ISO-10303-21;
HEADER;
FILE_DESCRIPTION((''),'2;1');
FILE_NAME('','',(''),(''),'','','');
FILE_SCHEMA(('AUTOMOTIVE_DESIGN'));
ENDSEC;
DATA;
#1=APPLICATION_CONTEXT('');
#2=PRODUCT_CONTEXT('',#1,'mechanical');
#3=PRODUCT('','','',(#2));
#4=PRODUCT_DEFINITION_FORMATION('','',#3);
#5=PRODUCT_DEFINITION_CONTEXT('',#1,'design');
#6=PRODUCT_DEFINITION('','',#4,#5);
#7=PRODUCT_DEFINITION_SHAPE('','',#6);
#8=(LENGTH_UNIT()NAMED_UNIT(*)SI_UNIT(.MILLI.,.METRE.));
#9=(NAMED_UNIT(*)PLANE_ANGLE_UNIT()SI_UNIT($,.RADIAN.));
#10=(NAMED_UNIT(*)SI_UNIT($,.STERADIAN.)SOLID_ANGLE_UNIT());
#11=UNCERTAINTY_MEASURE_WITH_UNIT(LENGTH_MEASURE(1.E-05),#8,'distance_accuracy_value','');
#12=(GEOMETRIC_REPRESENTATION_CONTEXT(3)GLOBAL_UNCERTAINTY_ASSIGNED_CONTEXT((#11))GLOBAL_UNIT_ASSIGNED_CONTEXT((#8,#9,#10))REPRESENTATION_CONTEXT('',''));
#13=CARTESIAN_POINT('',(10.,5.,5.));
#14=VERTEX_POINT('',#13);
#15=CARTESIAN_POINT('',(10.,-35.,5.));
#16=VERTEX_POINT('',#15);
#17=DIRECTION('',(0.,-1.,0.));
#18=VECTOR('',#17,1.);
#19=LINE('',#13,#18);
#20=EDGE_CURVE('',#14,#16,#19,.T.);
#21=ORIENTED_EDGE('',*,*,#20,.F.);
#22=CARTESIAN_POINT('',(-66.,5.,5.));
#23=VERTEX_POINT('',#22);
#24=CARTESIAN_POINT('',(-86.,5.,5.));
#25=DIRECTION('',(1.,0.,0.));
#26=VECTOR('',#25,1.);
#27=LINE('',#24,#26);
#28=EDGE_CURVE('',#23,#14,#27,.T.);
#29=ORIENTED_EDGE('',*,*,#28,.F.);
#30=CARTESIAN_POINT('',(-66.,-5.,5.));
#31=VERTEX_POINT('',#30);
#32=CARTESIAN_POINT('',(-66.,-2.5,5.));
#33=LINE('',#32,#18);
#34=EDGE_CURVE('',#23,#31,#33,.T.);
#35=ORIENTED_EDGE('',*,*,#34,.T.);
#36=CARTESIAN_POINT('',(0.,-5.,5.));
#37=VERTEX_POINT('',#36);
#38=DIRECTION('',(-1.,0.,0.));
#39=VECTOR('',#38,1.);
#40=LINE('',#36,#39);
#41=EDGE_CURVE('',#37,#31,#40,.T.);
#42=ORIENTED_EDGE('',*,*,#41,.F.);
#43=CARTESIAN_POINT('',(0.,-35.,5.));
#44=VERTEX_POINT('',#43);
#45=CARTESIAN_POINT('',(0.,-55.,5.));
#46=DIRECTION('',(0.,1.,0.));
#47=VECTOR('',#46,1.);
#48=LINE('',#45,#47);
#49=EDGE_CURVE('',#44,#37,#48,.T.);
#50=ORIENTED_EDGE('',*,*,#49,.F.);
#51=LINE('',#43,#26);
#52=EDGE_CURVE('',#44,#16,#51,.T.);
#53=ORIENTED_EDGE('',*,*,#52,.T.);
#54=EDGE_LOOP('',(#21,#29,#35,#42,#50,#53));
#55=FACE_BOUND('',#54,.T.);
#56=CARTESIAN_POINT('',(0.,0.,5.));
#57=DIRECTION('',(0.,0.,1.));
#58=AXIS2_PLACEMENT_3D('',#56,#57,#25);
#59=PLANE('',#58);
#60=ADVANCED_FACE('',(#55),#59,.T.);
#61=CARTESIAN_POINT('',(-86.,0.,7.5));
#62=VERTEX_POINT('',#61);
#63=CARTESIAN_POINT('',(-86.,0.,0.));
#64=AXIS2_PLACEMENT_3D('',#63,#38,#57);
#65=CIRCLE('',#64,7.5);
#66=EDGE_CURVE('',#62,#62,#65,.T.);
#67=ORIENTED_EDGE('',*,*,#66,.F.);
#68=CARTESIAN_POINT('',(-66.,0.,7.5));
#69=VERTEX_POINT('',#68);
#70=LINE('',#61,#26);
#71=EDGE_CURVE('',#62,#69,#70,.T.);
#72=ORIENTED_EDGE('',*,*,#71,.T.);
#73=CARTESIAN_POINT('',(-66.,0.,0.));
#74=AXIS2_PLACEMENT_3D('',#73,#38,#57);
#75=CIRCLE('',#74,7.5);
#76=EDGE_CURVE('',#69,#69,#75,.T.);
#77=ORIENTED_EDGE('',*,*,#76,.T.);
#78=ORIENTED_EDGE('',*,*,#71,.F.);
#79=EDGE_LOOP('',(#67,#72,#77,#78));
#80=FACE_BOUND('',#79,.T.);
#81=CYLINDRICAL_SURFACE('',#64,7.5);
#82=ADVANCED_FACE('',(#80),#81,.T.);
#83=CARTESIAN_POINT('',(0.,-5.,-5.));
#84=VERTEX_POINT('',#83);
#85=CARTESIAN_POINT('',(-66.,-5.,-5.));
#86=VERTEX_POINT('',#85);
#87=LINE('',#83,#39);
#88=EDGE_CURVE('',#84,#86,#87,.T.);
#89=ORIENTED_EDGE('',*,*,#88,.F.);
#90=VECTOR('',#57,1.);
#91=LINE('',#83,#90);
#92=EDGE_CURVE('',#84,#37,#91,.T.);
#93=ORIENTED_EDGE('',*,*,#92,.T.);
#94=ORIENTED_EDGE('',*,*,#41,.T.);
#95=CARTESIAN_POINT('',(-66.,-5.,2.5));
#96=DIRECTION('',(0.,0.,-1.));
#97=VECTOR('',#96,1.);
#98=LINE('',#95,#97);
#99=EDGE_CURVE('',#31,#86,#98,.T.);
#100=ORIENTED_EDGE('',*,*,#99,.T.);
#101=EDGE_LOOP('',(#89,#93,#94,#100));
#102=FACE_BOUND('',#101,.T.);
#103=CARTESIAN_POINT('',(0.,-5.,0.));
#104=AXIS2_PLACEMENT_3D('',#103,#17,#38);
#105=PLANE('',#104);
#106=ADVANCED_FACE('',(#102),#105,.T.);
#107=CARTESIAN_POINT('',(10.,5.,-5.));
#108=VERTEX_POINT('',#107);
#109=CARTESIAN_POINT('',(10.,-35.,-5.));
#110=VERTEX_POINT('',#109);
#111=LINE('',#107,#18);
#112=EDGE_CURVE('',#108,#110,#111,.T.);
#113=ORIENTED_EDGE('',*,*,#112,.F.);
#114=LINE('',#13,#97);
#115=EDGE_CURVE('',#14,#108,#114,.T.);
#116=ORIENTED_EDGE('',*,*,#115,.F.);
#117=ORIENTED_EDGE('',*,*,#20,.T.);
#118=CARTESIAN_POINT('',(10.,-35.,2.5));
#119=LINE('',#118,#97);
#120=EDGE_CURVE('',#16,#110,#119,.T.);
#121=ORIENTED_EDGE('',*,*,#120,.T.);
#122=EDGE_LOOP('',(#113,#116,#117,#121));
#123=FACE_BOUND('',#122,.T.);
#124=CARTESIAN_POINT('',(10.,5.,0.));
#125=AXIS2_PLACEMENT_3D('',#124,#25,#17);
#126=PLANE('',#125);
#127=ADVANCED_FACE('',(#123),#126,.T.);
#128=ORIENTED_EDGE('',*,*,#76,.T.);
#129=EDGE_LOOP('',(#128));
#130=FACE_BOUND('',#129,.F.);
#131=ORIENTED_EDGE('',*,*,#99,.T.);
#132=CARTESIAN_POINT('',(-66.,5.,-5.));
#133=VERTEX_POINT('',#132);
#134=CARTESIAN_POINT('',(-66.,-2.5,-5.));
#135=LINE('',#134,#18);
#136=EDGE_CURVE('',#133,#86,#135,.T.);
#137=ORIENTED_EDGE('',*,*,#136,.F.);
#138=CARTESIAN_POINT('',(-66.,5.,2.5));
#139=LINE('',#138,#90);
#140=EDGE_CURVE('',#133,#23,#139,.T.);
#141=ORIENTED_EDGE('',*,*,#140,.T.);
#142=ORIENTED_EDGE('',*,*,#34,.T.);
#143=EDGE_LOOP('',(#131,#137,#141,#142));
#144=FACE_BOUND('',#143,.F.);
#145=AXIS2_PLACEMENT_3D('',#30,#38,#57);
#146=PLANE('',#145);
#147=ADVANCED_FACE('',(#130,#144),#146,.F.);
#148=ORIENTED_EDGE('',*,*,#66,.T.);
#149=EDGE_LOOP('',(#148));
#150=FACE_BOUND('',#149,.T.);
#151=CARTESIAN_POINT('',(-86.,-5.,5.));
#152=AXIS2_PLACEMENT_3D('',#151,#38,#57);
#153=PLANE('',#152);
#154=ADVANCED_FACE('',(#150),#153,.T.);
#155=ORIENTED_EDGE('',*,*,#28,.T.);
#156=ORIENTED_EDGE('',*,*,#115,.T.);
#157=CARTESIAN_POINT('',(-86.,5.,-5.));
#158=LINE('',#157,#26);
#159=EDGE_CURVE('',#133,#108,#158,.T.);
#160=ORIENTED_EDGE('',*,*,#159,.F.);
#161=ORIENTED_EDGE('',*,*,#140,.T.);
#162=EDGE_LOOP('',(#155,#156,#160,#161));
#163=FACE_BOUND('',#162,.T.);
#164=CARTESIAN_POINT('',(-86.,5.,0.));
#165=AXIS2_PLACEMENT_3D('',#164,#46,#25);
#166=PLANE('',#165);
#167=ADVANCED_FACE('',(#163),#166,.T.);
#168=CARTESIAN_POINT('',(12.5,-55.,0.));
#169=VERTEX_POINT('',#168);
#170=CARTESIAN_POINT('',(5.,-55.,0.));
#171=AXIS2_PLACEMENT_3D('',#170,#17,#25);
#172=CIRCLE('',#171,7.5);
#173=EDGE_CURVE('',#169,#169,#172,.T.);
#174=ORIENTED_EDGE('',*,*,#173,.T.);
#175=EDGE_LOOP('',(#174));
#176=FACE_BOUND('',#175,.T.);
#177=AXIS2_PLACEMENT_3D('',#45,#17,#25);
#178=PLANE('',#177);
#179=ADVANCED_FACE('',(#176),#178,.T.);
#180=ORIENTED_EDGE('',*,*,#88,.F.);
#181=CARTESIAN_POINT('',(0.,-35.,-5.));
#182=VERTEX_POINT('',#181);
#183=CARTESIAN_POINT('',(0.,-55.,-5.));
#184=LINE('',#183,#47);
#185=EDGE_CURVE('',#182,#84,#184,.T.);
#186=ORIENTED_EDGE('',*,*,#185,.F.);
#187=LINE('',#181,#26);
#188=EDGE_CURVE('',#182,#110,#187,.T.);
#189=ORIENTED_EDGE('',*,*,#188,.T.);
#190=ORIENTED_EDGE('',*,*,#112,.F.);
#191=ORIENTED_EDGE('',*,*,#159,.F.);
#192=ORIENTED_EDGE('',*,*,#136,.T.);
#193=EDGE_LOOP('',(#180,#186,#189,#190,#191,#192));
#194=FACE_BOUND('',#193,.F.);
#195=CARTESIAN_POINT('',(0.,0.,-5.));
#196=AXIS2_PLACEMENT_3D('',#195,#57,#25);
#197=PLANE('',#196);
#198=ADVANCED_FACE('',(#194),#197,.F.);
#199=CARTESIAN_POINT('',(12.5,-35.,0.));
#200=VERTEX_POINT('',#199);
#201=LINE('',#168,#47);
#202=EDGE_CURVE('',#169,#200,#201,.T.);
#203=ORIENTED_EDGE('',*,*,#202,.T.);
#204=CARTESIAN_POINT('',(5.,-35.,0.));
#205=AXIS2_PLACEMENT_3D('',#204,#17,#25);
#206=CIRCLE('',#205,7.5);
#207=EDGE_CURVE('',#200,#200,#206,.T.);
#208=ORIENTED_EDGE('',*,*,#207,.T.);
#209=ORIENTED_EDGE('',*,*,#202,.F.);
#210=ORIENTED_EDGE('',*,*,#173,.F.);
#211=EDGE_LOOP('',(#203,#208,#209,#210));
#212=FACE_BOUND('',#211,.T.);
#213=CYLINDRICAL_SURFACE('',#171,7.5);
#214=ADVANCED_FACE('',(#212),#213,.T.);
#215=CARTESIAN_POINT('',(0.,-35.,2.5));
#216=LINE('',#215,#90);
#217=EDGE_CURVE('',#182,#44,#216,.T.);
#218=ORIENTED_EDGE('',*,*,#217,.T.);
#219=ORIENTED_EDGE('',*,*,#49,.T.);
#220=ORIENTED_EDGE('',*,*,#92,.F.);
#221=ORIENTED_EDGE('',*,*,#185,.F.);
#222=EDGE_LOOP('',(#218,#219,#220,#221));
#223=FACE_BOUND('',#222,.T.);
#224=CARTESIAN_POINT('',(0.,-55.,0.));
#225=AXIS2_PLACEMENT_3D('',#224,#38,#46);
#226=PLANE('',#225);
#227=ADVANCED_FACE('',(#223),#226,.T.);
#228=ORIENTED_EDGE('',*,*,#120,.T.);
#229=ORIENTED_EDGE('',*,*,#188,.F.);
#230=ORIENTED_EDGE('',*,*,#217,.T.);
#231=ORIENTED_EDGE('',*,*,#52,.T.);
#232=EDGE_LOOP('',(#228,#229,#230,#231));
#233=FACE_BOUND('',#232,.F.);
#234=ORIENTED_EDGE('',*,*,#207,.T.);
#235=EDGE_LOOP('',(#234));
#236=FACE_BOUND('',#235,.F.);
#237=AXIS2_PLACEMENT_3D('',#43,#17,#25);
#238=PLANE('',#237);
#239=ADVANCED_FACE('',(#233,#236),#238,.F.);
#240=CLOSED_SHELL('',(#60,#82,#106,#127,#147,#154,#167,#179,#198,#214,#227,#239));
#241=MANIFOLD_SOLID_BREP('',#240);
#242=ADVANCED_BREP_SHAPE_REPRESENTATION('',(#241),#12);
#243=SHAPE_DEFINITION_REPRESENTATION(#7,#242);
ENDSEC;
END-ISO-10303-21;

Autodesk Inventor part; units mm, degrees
ref_plane "YZ Plane" through (0, 0, 0) normal (1, 0, 0) x (0, 1, 0)
ref_plane "XZ Plane" through (0, 0, 0) normal (0, 1, 0) x (-1, 0, 0)
ref_plane "XY Plane" through (0, 0, 0) normal (0, 0, 1) x (1, 0, 0)
sketch "スケッチ1" plane through (0, 0, 0) normal (0, 0, 1) x (1, 0, 0)
  line L0 (-86, -5) -> (-86, 5)
  line L1 (-86, 5) -> (10, 5)
  line L2 (10, 5) -> (10, -55)
  line L3 (10, -55) -> (0, -55)
  line L4 (0, -55) -> (0, -5)
  line L5 (0, -5) -> (-86, -5)
  point P0 (0, 0)
  dimension "d0" = 96
  dimension "d1" = 60
  dimension "d2" = 10
  dimension "d3" = 10
  dimension "d4" = 10
  dimension "d6" = 5
extrude "押し出し1" add sketch "スケッチ1" along normal blind 5 and the other way blind 5
sketch "スケッチ2" plane through (0, -55, 5) normal (0, -1, 0) x (1, 0, 0)
  circle A0 centre (5, -5) radius 7.5
  line L0 (0, -10) -> (0, 0) projected
  point P0 (0, -5)
  point P1 (0, -5)
  dimension "d11" = 15
  dimension "d12" = 5
  dimension "d13" = 5
extrude "押し出し2" add sketch "スケッチ2" against normal blind 20
sketch "スケッチ3" plane through (-86, -5, 5) normal (-1, 0, 0) x (0, 0, 1)
  circle A0 centre (-5, 5) radius 7.5
  point P0 (-5, 5)
  dimension "d16" = 15
extrude "押し出し3" add sketch "スケッチ3" against normal blind 20
properties part number "r_link_wr2wp"
